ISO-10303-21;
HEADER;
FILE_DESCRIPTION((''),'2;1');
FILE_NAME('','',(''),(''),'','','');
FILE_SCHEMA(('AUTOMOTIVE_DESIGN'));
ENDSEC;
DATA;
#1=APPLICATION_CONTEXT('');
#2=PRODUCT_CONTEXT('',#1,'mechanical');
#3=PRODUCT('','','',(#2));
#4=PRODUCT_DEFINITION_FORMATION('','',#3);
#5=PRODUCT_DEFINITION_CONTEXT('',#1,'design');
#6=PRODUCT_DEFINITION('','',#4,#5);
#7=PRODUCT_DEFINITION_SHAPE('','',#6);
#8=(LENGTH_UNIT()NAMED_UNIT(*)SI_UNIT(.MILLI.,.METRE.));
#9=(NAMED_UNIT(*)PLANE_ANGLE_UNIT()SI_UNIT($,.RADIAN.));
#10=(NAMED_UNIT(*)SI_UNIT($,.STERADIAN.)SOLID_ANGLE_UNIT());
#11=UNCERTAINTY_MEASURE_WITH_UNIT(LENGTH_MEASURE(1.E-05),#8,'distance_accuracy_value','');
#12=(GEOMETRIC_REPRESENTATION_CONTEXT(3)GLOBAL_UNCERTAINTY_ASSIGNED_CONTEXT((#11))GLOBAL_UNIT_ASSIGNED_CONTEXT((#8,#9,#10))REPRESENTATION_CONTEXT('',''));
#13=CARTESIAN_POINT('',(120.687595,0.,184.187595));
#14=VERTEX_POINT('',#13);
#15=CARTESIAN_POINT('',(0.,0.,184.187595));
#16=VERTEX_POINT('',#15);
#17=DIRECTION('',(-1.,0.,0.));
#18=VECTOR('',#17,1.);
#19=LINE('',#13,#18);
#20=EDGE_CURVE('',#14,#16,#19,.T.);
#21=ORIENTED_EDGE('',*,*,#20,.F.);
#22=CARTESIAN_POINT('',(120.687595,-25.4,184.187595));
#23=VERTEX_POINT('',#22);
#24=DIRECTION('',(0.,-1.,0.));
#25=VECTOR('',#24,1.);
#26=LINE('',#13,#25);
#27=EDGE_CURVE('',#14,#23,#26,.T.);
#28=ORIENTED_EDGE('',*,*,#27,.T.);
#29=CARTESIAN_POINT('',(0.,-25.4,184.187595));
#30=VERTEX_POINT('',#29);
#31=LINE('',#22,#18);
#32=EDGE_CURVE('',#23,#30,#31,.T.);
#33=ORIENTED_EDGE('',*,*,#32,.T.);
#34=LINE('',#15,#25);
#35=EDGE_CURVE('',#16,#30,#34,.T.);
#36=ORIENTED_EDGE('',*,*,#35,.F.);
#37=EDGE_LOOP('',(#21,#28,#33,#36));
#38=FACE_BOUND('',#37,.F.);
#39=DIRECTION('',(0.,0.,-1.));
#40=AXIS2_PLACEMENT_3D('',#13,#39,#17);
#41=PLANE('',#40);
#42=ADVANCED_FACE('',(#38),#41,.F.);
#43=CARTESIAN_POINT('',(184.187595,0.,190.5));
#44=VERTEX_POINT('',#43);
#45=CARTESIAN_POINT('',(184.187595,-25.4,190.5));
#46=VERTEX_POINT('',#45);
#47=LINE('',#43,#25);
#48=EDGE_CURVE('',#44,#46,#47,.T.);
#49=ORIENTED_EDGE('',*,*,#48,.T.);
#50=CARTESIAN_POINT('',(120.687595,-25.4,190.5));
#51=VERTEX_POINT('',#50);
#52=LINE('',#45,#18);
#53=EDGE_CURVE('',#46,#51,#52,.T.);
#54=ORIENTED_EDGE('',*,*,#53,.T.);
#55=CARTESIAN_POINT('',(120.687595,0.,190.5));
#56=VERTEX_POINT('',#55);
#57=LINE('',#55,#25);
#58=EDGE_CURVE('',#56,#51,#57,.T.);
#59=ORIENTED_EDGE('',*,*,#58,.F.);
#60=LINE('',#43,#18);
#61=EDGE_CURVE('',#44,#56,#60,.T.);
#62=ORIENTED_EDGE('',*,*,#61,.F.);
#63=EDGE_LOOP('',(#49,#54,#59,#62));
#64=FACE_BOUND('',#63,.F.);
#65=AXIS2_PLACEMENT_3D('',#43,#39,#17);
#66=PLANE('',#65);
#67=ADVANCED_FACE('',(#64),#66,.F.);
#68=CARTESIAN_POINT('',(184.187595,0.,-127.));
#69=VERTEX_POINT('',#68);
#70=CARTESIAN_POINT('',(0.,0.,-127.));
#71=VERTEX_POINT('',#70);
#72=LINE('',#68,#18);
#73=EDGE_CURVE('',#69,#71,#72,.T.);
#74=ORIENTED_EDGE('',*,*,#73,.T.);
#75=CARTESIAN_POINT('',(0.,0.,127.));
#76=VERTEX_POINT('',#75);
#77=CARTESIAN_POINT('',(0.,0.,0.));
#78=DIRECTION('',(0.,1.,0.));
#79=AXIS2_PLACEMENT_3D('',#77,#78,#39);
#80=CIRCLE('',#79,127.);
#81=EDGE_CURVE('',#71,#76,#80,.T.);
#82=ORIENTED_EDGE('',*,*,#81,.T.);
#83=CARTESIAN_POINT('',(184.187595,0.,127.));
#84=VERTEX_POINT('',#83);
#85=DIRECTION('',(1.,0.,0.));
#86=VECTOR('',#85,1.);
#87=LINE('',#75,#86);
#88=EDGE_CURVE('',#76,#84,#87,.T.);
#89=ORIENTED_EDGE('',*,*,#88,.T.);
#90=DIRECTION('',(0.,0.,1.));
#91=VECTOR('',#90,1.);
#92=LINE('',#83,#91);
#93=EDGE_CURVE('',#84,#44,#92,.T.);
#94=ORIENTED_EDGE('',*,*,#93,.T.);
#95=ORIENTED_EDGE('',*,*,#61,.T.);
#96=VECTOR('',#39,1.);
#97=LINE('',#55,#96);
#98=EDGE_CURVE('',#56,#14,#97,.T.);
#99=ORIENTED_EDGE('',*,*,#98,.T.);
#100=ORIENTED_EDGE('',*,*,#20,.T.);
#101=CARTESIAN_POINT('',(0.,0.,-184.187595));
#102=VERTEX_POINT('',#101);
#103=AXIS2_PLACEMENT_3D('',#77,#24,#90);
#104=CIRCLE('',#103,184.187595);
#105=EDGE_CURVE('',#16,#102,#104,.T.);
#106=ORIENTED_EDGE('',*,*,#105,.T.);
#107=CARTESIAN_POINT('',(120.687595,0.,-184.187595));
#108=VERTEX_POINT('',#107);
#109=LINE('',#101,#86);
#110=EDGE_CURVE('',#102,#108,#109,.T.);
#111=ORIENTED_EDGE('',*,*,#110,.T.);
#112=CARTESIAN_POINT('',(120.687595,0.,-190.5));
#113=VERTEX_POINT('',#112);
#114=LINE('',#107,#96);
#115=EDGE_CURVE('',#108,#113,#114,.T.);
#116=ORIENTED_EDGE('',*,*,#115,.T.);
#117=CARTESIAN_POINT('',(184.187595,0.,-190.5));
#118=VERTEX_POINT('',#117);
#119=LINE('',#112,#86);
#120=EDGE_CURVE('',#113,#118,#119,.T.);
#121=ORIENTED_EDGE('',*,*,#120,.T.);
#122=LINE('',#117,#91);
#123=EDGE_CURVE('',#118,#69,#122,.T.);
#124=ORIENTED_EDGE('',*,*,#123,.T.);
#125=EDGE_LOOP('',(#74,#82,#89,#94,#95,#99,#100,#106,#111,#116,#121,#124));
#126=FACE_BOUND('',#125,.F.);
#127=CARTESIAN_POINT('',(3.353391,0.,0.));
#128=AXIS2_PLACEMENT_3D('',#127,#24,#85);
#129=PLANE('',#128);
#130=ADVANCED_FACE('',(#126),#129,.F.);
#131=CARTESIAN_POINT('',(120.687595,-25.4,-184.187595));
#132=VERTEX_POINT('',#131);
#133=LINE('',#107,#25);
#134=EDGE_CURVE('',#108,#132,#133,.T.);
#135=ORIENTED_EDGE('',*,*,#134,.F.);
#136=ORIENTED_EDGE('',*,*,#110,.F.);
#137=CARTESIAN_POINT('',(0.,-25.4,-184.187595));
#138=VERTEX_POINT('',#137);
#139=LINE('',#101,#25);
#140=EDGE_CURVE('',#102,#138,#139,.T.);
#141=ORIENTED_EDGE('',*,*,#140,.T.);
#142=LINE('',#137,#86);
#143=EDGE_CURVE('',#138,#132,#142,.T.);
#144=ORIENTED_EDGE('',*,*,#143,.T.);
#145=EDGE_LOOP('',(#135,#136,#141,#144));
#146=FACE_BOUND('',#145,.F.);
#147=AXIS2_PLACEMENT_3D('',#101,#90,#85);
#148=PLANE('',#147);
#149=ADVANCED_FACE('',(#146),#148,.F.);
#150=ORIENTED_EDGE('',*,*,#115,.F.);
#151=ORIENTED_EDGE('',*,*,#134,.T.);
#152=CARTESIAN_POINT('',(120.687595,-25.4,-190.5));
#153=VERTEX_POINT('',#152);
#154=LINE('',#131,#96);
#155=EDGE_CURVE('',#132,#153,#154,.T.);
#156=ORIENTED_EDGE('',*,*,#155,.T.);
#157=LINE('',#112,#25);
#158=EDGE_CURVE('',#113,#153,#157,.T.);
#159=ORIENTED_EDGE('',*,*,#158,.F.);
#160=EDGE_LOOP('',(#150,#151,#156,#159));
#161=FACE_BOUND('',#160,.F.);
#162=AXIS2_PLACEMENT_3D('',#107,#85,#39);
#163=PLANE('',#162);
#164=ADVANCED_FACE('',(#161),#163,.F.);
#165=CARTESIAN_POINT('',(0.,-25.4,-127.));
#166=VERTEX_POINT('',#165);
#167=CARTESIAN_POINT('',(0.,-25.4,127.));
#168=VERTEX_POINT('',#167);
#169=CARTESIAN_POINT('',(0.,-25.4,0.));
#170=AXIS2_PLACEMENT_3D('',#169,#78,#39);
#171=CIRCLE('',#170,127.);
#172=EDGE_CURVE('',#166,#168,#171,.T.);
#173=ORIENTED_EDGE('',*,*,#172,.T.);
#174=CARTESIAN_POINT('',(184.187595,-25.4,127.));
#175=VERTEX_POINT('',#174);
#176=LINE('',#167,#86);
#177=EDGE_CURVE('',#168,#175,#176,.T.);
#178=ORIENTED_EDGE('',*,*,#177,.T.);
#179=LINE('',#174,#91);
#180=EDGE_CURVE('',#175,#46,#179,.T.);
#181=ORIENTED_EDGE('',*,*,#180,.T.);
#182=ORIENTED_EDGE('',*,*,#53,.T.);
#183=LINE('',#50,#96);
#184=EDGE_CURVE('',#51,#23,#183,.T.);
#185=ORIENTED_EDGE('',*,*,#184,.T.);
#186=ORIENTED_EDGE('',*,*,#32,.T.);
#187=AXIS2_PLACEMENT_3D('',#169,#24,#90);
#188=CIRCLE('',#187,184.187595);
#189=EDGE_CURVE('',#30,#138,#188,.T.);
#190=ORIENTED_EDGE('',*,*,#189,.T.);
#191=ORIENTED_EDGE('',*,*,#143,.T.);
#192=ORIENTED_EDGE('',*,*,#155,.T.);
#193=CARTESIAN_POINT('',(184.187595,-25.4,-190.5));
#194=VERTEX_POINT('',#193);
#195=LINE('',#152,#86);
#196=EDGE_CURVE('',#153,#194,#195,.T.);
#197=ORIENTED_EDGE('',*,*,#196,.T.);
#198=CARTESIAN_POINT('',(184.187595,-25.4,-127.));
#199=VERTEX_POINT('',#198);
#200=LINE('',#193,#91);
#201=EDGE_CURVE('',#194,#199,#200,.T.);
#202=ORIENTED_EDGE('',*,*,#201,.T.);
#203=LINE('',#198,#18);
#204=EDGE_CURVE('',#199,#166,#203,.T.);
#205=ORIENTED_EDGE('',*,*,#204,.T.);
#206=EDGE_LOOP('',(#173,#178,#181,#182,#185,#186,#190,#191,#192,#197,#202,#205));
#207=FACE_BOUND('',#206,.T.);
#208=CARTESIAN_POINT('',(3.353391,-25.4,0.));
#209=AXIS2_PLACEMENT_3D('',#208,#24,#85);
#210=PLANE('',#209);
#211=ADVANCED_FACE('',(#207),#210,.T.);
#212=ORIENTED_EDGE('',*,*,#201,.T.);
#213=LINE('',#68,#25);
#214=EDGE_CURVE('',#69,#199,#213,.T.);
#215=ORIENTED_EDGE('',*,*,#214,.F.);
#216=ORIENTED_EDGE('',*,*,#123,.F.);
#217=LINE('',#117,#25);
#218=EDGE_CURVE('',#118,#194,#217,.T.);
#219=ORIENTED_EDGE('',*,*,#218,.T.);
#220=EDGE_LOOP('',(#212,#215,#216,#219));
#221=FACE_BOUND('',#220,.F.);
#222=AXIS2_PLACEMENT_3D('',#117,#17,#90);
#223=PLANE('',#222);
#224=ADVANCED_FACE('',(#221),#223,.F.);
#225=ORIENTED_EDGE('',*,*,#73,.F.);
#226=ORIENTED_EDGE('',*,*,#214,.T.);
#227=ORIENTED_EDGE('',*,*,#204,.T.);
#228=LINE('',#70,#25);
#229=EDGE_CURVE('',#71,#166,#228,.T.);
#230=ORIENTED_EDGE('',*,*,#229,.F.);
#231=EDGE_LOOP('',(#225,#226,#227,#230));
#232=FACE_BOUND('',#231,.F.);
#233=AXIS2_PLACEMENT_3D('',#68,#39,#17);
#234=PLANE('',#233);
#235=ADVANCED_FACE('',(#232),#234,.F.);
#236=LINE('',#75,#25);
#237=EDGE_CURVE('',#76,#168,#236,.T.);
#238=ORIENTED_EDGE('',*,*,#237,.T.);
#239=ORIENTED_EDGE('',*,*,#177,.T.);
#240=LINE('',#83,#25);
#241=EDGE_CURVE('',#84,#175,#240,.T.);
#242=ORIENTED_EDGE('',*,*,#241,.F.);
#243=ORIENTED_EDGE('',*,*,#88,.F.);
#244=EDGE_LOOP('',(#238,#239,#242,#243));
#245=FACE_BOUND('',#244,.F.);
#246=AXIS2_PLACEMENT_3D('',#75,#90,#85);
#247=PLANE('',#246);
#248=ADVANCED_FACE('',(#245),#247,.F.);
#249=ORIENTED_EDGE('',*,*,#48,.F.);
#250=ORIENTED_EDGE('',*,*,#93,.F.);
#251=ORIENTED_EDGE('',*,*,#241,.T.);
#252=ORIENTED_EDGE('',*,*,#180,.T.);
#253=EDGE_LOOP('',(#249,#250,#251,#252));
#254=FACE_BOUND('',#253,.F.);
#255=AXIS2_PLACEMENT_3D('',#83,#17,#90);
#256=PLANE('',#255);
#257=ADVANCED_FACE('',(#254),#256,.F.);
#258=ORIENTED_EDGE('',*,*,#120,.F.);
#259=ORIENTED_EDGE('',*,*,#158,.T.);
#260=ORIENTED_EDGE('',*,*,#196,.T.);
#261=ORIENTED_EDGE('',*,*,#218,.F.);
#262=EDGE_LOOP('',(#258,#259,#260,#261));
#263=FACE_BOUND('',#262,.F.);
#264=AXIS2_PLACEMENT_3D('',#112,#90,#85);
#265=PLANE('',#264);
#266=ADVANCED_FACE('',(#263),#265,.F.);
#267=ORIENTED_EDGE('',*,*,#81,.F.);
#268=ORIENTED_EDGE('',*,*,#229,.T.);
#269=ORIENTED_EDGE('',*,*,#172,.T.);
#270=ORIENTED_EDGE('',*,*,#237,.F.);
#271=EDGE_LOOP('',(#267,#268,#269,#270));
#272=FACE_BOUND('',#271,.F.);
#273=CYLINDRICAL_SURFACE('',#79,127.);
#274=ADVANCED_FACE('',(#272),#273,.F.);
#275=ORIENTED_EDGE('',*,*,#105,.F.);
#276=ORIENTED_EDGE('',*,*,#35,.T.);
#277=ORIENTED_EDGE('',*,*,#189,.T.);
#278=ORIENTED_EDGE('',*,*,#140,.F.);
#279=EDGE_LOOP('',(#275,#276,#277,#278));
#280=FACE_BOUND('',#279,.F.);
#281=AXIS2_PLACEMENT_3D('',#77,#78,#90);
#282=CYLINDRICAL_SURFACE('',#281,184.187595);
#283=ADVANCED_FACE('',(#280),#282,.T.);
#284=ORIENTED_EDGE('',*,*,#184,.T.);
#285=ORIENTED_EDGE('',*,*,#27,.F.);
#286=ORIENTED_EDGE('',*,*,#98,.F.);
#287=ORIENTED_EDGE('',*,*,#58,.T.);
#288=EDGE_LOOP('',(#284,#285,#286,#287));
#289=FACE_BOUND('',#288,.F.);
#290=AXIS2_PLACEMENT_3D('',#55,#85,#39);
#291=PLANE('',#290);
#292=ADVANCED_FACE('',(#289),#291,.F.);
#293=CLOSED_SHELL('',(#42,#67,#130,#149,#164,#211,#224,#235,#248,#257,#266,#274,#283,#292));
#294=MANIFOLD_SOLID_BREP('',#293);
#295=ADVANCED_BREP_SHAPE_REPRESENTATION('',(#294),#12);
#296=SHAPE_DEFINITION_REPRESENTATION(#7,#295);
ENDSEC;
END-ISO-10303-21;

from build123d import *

# Parameters (mm, degrees)
F1_DEPTH = 25.4


with BuildPart() as f1:
    # F0 (on Front) → F1 (new body)
    with BuildSketch(Plane.XZ):
        with BuildLine():
            Line((120.687595, 184.187595), (0, 184.187595))
            ThreePointArc((0, 184.187595), (-184.187595, 0), (0, -184.187595))
            Line((0, -184.187595), (120.687595, -184.187595))
            Line((120.687595, -184.187595), (120.687595, -190.5))
            Line((120.687595, -190.5), (184.187595, -190.5))
            Line((184.187595, -190.5), (184.187595, -184.187595))
            Line((184.187595, -184.187595), (184.187595, -127))
            Line((184.187595, -127), (120.687595, -127))
            Line((120.687595, -127), (0, -127))
            ThreePointArc((0, -127), (-127, 0), (0, 127))
            Line((0, 127), (120.687595, 127))
            Line((120.687595, 127), (184.187595, 127))
            Line((184.187595, 127), (184.187595, 184.187595))
            Line((184.187595, 184.187595), (184.187595, 190.5))
            Line((184.187595, 190.5), (120.687595, 190.5))
            Line((120.687595, 190.5), (120.687595, 184.187595))
        make_face()
    extrude(amount=F1_DEPTH)


solid = f1.part
